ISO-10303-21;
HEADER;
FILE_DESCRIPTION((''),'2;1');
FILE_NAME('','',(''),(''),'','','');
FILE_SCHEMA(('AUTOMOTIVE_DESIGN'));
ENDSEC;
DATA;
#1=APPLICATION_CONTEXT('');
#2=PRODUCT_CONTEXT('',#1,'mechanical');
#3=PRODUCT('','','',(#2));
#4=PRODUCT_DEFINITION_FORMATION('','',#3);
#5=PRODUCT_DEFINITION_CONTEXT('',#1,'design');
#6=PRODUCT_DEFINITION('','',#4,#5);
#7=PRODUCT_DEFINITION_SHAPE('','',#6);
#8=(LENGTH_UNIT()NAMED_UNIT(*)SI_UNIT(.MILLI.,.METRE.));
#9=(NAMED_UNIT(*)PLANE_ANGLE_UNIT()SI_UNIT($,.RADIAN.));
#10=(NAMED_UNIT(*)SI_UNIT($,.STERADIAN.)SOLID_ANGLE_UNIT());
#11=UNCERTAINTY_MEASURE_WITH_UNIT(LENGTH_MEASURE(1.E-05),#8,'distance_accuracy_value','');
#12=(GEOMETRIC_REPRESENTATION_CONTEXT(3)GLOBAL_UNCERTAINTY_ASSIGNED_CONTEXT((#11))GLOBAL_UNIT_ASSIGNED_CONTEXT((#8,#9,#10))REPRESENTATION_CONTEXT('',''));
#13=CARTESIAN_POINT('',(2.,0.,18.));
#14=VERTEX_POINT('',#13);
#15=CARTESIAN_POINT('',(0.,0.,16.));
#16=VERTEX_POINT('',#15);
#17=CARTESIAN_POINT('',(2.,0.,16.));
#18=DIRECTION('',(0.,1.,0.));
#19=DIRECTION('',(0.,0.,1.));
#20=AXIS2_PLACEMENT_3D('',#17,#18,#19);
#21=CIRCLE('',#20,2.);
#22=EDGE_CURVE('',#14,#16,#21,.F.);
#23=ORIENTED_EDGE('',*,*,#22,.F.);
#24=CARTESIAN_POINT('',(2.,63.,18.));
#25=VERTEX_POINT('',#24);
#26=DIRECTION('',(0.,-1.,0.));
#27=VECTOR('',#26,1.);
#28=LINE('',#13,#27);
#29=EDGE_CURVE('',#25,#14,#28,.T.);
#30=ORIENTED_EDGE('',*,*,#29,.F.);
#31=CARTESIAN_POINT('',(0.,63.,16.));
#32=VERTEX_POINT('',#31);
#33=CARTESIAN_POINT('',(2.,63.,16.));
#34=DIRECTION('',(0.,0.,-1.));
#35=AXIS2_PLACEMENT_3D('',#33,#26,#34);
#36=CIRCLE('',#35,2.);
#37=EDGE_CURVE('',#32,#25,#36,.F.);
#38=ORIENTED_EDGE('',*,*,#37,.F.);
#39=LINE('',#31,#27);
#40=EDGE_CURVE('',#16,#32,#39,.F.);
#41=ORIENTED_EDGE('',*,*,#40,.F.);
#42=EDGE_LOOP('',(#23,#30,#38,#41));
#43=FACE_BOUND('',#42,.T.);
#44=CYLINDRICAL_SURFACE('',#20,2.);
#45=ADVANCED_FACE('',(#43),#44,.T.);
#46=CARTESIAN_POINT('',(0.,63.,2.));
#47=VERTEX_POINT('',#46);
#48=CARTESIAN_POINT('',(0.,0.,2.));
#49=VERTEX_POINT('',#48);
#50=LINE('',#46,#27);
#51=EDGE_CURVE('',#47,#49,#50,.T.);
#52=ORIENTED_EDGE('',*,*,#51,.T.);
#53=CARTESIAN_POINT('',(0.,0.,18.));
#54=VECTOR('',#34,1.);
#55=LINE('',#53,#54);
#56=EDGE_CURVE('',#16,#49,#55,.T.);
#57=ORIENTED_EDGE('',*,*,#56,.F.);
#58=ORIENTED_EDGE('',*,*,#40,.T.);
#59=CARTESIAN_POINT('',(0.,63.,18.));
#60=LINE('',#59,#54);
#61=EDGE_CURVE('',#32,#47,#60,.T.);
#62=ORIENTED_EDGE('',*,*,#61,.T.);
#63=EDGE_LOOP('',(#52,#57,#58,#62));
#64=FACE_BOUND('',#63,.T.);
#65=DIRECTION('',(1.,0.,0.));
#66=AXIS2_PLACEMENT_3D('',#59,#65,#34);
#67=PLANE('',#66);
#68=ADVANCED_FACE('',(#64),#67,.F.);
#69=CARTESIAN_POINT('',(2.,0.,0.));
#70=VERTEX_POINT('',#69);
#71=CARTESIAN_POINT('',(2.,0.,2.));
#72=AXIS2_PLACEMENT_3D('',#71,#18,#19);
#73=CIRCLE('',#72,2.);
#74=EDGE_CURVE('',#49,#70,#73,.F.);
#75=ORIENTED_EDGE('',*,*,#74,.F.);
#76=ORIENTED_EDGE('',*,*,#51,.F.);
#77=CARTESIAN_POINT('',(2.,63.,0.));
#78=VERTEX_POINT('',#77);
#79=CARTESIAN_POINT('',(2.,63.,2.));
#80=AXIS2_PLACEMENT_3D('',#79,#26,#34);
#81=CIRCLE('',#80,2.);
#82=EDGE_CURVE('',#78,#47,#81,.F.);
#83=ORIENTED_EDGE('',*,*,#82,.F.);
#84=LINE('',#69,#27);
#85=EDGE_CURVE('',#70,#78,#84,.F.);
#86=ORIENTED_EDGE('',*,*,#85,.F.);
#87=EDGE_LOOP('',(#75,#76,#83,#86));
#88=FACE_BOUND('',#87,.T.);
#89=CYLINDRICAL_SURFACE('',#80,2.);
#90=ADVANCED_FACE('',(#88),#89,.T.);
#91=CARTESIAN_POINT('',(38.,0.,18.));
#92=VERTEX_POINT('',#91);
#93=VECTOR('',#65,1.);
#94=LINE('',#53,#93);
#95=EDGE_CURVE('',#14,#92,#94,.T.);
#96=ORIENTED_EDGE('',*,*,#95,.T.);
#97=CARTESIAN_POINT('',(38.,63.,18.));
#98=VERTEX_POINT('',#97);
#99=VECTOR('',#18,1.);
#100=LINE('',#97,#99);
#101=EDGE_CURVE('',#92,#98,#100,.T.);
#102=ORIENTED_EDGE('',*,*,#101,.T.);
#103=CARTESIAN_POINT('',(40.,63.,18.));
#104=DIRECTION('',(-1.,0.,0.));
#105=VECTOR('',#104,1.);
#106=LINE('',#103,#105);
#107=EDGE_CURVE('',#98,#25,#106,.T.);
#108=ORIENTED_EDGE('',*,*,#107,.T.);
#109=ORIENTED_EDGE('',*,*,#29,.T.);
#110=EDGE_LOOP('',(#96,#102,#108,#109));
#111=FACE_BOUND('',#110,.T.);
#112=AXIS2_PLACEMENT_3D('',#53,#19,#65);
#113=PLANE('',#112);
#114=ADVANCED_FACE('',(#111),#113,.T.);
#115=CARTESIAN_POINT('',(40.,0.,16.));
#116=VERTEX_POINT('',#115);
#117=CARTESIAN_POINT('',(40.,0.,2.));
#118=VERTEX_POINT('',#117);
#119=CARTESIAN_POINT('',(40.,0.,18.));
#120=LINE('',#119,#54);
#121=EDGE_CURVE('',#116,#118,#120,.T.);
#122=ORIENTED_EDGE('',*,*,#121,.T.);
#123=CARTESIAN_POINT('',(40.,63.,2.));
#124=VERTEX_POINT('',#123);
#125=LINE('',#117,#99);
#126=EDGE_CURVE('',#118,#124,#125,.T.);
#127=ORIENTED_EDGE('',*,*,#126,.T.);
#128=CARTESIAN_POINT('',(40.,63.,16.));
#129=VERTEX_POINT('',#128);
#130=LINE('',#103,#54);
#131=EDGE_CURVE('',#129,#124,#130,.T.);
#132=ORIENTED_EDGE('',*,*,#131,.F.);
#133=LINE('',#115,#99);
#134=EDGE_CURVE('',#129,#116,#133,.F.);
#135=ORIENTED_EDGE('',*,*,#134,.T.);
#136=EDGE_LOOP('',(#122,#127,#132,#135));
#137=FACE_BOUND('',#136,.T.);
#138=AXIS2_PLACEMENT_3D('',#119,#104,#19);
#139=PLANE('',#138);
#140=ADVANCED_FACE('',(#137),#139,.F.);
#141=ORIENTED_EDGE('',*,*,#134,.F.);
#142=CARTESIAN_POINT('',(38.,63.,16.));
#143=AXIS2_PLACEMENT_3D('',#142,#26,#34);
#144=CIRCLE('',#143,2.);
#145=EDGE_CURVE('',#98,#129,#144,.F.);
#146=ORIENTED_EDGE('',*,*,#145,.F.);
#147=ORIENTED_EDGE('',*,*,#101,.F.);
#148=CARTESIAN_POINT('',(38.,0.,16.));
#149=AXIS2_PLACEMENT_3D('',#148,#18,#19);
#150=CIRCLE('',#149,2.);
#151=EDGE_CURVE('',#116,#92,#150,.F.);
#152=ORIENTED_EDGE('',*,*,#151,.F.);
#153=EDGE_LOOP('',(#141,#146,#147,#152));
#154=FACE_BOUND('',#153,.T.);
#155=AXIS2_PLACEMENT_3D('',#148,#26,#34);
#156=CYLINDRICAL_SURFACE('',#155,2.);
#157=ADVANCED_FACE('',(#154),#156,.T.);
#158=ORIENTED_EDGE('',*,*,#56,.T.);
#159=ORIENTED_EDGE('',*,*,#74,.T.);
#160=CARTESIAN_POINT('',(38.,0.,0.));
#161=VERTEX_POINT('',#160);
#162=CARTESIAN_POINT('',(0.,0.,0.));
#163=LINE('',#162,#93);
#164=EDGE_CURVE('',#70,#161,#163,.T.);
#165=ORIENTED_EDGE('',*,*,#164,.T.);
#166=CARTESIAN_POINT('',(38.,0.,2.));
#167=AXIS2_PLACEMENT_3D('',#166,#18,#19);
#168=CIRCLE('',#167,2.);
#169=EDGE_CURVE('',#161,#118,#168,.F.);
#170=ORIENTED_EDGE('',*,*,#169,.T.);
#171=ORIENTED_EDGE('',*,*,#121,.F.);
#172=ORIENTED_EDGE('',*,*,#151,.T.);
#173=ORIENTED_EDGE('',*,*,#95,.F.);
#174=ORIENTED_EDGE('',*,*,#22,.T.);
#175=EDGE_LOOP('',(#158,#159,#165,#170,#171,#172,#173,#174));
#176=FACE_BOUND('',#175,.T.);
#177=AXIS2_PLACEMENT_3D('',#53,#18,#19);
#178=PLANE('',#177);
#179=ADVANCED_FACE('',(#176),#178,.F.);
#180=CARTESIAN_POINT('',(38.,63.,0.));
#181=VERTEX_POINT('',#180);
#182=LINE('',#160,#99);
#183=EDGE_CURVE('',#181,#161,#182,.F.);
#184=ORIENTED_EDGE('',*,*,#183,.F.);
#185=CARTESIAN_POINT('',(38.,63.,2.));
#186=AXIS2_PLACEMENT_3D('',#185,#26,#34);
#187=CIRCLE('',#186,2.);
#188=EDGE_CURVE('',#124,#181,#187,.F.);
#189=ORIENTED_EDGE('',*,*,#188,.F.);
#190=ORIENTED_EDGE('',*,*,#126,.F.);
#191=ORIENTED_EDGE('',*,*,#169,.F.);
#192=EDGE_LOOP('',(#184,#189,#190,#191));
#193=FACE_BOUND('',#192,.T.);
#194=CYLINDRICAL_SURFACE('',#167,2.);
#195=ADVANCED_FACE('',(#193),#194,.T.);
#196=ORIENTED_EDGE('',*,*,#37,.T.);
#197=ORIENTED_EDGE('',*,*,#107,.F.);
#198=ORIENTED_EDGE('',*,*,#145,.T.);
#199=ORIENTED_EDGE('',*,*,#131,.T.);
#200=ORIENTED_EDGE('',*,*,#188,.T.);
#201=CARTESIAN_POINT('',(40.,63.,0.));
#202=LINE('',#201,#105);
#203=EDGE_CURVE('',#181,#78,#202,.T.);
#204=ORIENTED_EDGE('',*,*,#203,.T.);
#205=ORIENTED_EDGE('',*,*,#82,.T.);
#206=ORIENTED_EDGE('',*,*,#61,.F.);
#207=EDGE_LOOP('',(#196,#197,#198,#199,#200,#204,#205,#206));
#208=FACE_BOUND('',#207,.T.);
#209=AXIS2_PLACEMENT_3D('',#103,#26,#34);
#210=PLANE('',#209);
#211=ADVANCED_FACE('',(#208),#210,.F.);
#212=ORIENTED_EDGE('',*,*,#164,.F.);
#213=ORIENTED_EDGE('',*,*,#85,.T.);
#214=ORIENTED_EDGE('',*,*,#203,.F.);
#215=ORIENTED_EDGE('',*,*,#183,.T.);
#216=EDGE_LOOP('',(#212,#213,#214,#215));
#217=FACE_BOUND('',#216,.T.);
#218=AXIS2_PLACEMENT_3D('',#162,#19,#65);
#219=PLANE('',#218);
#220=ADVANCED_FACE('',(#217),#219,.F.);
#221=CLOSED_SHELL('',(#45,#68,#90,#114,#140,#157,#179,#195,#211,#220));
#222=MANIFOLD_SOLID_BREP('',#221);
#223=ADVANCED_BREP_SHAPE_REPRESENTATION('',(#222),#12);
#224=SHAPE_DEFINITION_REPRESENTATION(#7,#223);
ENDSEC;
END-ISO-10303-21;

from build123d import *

# Parameters (mm, degrees)
SKETCH_1_W         = 40
SKETCH_1_H         = 63
BLOCKEXTRUDE_DEPTH = 18
FILLET_2_R         = 2


with BuildPart() as part:
    # 草图1 → BlockExtrude (new body)
    with BuildSketch(Plane.XY):
        with Locations((20, 31.5)):
            Rectangle(SKETCH_1_W, SKETCH_1_H)
    extrude(amount=BLOCKEXTRUDE_DEPTH)

    # Fillet 2
    fillet_2_edges = [part.edges().sort_by_distance(p)[0] for p in [
        (40, 31.5, 18),
        (0, 31.5, 18),
        (40, 31.5, 0),
        (0, 31.5, 0),
    ]]
    fillet(fillet_2_edges, radius=FILLET_2_R)


solid = part.part
